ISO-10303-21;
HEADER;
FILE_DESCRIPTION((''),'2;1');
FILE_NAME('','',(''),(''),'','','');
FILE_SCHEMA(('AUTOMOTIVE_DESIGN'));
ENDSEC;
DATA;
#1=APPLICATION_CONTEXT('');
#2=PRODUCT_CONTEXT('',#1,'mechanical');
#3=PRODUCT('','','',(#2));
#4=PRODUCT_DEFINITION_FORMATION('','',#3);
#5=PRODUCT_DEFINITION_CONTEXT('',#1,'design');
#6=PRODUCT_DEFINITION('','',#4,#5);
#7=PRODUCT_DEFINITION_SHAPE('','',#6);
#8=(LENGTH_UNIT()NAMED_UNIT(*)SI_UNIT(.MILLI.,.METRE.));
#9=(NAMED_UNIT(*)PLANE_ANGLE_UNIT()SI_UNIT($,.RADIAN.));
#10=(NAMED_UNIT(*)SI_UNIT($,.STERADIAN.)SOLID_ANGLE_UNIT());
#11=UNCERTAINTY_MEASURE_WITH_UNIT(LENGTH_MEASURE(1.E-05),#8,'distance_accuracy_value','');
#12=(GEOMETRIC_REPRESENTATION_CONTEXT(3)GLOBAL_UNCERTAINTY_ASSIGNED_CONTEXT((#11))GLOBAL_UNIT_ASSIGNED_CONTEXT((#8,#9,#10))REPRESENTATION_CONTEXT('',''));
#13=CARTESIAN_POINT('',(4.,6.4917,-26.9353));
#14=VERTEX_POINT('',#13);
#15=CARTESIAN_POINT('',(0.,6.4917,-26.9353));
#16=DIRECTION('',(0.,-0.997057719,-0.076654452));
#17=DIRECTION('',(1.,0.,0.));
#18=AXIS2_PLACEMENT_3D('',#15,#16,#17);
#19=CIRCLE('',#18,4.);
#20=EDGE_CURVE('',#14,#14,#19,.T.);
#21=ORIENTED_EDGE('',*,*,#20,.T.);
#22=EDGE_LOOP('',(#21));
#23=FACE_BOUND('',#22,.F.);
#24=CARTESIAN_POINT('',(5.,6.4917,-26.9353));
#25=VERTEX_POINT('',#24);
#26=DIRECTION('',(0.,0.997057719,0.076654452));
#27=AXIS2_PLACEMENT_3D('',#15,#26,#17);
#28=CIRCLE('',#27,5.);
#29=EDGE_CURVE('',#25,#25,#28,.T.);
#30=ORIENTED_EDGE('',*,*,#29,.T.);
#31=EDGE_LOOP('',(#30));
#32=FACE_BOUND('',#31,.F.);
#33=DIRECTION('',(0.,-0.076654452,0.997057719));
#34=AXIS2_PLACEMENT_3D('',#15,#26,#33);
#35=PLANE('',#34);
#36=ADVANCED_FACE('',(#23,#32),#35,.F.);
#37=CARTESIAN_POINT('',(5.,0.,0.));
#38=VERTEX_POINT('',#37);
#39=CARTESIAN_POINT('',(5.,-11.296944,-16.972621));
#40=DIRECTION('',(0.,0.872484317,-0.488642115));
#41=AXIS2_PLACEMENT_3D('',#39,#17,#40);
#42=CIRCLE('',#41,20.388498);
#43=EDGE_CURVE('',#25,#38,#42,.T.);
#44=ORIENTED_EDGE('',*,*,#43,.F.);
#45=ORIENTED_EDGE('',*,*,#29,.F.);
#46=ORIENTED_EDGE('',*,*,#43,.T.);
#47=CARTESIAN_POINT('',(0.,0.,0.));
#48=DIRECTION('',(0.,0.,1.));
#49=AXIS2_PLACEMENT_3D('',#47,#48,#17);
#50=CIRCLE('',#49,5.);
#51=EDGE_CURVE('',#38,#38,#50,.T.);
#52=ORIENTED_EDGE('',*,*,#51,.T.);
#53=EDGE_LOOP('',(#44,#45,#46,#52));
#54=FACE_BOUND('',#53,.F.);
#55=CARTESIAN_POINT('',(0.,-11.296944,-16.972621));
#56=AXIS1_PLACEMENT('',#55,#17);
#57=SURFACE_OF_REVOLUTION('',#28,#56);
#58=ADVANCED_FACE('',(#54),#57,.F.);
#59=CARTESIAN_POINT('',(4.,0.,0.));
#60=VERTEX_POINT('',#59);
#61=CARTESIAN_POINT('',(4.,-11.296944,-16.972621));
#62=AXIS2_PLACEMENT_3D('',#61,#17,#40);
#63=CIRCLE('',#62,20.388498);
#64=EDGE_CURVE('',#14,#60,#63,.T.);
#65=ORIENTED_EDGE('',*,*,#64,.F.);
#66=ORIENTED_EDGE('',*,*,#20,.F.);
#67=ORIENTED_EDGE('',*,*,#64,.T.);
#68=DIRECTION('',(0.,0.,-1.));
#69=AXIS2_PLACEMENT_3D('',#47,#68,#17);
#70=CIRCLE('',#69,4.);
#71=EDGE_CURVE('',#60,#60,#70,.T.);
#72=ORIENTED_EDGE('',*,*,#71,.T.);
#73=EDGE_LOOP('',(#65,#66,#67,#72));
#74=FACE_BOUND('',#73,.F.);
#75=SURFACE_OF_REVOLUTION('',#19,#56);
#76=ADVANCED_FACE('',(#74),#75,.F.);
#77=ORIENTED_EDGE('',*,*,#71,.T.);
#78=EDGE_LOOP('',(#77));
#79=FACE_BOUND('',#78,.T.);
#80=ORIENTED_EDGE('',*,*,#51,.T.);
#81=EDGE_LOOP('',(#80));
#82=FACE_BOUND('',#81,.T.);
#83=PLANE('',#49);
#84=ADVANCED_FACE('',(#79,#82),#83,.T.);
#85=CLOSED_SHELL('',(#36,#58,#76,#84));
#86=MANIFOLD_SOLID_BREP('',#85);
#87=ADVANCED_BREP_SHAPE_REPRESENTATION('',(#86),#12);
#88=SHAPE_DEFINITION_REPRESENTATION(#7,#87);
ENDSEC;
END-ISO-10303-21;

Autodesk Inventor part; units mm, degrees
ref_plane "YZ Plane" through (0, 0, 0) normal (1, 0, 0) x (0, 1, 0)
ref_plane "XZ Plane" through (0, 0, 0) normal (0, 1, 0) x (-1, 0, 0)
ref_plane "XY Plane" through (0, 0, 0) normal (0, 0, 1) x (1, 0, 0)
sketch "Esboço1" plane through (0, 0, 0) normal (0, 0, 1) x (1, 0, 0)
  circle A0 centre (0, 0) radius 5
  circle A1 centre (0, 0) radius 4
  dimension "d0" = 10
  dimension "d1" = 1
sketch "Esboço3" plane through (0, 0, 0) normal (1, 0, 0) x (0, 1, 0)
  arc A0 (6.4917, -26.9353) -> (0, 0) centre (-11.2971, -16.9726) ccw
sweep "Varredura1" add profiles "Esboço1" path "Esboço3"
